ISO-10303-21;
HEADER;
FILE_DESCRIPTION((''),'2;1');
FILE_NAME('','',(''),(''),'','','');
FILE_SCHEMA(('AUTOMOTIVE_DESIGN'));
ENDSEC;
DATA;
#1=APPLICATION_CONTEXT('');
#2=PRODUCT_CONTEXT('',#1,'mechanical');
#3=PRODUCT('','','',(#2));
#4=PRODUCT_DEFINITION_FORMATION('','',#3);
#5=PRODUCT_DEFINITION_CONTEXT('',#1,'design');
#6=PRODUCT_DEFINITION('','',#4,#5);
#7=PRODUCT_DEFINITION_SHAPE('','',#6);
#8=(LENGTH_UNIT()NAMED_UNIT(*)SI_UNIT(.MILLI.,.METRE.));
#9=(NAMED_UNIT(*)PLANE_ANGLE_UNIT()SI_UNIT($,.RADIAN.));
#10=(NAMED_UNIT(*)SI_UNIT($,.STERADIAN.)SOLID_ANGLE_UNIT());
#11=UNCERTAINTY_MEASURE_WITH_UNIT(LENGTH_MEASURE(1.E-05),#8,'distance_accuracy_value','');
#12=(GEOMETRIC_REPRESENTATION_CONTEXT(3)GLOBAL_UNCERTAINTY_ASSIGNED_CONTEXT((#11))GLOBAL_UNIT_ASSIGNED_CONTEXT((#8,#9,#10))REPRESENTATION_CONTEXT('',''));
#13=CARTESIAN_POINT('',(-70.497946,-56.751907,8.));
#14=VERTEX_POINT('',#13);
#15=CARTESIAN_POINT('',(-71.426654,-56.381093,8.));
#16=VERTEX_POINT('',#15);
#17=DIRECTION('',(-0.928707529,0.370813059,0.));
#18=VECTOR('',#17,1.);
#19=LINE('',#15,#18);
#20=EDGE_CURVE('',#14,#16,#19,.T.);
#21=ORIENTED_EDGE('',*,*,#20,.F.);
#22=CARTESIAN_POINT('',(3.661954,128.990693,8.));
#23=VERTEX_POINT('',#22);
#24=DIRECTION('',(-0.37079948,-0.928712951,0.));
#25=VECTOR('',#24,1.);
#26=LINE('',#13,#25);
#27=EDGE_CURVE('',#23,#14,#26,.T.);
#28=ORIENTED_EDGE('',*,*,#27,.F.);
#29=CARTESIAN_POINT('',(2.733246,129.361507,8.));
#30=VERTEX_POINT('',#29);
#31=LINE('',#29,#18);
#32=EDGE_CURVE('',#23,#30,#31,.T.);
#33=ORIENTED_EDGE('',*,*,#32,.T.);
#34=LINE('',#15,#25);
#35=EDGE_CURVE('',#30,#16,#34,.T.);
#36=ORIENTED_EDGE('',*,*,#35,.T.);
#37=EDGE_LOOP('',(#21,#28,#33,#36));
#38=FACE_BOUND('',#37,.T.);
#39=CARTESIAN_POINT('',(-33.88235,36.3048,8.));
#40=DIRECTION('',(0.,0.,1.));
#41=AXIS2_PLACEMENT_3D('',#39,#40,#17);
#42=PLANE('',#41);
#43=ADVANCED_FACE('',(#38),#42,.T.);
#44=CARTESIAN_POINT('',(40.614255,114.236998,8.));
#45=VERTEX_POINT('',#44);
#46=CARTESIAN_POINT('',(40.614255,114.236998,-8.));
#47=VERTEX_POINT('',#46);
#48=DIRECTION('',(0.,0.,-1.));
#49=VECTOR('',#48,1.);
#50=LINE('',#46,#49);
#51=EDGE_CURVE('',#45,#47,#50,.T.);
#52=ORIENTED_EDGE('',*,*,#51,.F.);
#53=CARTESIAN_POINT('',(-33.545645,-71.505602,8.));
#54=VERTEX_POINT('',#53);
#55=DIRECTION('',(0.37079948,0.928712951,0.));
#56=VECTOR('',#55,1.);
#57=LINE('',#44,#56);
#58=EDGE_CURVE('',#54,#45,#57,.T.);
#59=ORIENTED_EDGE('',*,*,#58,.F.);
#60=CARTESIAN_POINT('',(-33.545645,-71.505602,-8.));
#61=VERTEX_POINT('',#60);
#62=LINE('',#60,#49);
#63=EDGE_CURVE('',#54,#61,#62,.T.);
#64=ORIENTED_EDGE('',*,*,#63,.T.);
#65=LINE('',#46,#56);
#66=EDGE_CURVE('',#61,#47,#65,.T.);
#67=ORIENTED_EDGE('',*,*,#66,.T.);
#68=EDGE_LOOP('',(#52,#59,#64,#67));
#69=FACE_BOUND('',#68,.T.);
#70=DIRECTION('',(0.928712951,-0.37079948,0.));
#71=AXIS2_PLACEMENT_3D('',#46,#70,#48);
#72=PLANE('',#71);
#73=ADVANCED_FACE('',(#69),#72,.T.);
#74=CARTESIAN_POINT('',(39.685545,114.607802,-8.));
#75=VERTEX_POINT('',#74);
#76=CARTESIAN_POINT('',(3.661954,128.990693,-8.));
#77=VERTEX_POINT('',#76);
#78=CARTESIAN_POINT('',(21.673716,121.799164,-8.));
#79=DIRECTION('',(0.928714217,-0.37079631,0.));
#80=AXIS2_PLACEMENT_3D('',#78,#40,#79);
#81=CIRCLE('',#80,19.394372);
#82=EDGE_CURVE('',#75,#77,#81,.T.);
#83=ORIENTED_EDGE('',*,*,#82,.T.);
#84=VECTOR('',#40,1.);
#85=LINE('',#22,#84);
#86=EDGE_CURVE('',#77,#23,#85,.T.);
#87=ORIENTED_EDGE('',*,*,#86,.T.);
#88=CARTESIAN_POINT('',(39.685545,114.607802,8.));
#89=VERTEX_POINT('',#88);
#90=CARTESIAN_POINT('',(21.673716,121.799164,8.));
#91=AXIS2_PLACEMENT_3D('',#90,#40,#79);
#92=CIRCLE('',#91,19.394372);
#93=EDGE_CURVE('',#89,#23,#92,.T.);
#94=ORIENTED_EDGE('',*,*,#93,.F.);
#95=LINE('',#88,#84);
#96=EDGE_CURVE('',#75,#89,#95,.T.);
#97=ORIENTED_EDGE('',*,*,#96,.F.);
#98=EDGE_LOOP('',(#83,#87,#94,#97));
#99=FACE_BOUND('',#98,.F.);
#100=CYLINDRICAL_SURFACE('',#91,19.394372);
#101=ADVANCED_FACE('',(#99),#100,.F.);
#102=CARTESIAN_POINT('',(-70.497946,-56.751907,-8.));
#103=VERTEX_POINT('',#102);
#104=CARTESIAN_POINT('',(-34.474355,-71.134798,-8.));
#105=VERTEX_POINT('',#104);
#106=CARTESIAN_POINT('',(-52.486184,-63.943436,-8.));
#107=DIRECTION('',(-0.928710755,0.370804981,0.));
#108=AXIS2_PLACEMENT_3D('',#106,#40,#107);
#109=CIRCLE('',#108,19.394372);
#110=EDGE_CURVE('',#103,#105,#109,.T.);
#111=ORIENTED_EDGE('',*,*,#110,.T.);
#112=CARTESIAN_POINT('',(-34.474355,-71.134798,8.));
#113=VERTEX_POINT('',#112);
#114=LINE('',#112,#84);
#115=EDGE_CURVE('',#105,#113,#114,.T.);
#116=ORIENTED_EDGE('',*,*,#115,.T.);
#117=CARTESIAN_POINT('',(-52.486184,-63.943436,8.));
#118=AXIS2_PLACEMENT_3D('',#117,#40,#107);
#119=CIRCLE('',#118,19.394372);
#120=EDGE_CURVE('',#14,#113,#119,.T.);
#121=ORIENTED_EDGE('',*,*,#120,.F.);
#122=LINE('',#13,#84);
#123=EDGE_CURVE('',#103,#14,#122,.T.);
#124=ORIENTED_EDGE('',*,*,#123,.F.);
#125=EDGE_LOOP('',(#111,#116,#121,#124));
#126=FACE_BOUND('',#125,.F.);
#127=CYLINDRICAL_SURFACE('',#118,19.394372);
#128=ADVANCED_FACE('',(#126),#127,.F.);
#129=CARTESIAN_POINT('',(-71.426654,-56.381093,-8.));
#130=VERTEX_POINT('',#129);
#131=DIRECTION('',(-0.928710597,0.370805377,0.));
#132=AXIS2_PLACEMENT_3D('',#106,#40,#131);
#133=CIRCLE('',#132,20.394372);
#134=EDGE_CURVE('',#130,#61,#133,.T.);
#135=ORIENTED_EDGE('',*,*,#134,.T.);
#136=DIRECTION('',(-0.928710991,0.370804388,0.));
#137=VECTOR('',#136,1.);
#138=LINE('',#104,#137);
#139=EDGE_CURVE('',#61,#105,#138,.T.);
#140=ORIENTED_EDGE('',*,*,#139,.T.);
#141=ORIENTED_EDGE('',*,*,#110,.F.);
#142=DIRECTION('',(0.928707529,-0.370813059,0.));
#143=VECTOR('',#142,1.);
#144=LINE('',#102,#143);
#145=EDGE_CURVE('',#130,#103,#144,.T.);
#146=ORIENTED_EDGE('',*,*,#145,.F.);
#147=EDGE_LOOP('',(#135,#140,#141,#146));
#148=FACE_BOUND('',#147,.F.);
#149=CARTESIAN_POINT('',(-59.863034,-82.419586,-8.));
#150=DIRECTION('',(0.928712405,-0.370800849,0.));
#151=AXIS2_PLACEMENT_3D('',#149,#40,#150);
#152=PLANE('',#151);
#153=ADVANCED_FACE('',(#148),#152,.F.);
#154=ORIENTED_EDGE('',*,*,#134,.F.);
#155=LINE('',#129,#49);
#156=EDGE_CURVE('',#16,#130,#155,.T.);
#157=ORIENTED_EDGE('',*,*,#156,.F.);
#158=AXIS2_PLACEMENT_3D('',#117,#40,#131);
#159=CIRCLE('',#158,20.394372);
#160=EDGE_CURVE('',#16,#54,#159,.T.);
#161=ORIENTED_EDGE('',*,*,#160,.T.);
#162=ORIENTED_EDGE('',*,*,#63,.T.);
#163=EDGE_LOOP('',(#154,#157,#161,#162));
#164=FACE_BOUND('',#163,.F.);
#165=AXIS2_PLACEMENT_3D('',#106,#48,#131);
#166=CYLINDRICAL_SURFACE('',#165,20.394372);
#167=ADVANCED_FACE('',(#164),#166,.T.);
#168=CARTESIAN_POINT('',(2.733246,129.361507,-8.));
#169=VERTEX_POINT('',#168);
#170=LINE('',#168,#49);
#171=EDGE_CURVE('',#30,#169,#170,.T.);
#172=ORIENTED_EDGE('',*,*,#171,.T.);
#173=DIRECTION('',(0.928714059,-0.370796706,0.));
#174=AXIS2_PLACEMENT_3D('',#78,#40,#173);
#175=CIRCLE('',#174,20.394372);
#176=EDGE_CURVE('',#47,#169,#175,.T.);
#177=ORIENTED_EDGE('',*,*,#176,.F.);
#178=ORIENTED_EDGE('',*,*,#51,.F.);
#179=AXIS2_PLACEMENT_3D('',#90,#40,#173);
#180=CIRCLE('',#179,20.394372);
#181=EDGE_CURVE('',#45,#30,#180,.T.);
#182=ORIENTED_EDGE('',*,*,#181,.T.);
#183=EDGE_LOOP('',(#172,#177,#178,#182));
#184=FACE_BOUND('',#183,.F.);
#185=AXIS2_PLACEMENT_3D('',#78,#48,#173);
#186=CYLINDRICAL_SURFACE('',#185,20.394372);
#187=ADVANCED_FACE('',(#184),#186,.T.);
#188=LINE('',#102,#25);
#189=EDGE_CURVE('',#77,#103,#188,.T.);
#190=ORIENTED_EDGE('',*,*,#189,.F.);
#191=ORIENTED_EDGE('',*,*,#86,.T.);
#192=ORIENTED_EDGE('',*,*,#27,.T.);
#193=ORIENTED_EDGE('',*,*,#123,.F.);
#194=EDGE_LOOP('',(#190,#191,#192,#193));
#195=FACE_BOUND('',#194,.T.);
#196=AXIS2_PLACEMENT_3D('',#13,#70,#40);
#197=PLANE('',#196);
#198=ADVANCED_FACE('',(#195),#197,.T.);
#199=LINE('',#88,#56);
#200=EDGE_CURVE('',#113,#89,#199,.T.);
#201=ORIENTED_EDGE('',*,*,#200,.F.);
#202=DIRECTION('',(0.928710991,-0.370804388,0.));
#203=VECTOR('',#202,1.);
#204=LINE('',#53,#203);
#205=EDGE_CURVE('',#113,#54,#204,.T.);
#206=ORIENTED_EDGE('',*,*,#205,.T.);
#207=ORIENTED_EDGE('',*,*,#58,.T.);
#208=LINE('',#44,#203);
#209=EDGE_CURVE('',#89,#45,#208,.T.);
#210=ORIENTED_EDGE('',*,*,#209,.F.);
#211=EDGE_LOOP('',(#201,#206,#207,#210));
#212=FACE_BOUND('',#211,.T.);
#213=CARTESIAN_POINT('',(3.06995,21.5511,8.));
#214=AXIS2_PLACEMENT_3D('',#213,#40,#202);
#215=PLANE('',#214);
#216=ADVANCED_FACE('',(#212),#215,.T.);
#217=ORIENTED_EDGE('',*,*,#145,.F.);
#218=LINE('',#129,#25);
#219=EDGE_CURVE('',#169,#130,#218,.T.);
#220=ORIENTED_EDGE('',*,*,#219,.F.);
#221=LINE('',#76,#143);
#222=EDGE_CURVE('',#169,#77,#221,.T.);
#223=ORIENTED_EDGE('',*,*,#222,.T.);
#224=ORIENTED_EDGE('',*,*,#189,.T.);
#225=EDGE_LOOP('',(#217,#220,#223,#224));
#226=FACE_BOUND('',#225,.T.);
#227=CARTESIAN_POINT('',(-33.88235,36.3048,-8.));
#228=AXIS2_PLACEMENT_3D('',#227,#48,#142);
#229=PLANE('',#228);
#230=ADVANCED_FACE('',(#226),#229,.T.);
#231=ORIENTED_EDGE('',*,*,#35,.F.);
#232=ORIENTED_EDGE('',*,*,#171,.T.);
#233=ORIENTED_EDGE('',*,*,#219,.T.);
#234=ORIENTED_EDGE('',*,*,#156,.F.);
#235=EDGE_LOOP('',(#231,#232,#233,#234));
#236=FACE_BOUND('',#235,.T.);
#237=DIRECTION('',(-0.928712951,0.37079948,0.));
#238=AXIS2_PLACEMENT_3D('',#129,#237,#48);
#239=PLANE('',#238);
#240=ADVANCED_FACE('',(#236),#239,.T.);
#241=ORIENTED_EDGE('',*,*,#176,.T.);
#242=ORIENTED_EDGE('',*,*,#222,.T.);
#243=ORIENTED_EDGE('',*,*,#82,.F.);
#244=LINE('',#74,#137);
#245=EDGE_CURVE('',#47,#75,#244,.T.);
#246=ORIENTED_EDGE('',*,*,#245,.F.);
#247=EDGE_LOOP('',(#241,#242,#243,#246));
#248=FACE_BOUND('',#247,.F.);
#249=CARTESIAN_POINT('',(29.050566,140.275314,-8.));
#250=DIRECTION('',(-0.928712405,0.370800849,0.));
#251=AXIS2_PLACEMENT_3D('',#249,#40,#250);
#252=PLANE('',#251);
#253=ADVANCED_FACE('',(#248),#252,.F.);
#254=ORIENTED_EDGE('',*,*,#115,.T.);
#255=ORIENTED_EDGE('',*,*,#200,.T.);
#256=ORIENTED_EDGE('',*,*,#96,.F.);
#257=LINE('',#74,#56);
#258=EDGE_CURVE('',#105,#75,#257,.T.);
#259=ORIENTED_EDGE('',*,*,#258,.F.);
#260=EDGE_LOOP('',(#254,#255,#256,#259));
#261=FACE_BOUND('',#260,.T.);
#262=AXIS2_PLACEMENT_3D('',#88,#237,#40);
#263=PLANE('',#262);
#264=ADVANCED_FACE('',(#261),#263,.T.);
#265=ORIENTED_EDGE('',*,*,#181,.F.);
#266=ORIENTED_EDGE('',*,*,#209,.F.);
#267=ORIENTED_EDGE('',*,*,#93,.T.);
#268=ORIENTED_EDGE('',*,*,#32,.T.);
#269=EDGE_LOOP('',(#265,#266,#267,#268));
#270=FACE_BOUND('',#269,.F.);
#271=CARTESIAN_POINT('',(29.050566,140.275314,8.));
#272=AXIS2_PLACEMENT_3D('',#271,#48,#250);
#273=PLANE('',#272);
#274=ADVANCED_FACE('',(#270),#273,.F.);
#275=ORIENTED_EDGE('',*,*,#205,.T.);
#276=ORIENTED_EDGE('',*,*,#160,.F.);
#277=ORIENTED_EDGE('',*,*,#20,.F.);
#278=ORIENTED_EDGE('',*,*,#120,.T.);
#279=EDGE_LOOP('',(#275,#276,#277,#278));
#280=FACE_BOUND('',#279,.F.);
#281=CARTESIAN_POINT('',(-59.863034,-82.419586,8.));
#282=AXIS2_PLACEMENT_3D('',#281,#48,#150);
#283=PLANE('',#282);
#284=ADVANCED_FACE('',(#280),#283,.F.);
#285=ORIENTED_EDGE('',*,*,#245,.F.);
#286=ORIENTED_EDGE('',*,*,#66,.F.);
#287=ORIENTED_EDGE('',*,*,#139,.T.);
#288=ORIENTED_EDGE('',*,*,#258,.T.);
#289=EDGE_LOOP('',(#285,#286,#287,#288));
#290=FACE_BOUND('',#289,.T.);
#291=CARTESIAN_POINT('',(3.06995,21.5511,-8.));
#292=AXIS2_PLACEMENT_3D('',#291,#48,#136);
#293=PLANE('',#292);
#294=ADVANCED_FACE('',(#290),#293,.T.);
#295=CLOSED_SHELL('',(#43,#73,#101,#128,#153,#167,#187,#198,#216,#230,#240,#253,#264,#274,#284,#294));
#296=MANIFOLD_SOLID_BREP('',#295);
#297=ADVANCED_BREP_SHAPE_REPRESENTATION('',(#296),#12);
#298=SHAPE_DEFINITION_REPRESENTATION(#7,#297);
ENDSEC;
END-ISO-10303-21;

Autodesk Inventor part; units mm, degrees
sketch "Sketch Path" plane through (0, 0, 0) normal (0, 0, 1) x (1, 0, 0)
  arc A0 (-70.9623, -56.5665) -> (-34.01, -71.3202) centre (-52.4861, -63.9434) ccw
  arc A1 (40.1499, 114.4224) -> (3.1976, 129.1761) centre (21.6738, 121.7992) ccw
  line L0 (40.1499, 114.4224) -> (-34.01, -71.3202)
  line L1 (-70.9623, -56.5665) -> (3.1976, 129.1761)
ref_plane "Cross Section Plane" through (-34.01, -71.3202, 0) normal (0.3708, 0.9287, 0) x (0, 0, 1)
ref_plane "Work Plane2" through (-52.4861, -63.9434, 0) normal (-1, 0, 0) x (0, 0, 1)
ref_plane "Work Plane3" through (21.6738, 121.7992, 0) normal (-0.5358, -0.8443, 0) x (0, 0, 1)
sketch "Cross Section" plane through (-34.01, -71.3202, 0) normal (0.3708, 0.9287, 0) x (0, 0, 1)
  line L0 (-8, 0.5) -> (8, 0.5)
  line L1 (8, 0.5) -> (8, -0.5)
  line L2 (8, -0.5) -> (-8, -0.5)
  line L3 (-8, -0.5) -> (-8, 0.5)
  line L4 (-8, 0) -> (8, 0) construction
  point P0 (0, 0)
  point P1 (0, 0)
  dimension "d0" = 16
  dimension "d4" = 0.5
  dimension "d5" = 0.5
sweep "Belt" add profiles "Cross Section" path "Sketch Path"
equation "\"d0\" = da_B"
equation "\"d4\" = da_a"
equation "\"d5\" = da_a2"
equation "\"da_B\" = 16"
equation "\"da_pb\" = 5"
equation "\"da_L\" = 525"
equation "\"da_a\" = 0.5"
equation "\"da_S\" = 2.65"
equation "\"da_Beta\" = 20deg"
equation "\"da_Ht\" = 1.2"
equation "\"da_H\" = 2.2"
equation "\"da_a2\" = 0.5"
properties part number "Synchronous Belt" material "Rubber"
